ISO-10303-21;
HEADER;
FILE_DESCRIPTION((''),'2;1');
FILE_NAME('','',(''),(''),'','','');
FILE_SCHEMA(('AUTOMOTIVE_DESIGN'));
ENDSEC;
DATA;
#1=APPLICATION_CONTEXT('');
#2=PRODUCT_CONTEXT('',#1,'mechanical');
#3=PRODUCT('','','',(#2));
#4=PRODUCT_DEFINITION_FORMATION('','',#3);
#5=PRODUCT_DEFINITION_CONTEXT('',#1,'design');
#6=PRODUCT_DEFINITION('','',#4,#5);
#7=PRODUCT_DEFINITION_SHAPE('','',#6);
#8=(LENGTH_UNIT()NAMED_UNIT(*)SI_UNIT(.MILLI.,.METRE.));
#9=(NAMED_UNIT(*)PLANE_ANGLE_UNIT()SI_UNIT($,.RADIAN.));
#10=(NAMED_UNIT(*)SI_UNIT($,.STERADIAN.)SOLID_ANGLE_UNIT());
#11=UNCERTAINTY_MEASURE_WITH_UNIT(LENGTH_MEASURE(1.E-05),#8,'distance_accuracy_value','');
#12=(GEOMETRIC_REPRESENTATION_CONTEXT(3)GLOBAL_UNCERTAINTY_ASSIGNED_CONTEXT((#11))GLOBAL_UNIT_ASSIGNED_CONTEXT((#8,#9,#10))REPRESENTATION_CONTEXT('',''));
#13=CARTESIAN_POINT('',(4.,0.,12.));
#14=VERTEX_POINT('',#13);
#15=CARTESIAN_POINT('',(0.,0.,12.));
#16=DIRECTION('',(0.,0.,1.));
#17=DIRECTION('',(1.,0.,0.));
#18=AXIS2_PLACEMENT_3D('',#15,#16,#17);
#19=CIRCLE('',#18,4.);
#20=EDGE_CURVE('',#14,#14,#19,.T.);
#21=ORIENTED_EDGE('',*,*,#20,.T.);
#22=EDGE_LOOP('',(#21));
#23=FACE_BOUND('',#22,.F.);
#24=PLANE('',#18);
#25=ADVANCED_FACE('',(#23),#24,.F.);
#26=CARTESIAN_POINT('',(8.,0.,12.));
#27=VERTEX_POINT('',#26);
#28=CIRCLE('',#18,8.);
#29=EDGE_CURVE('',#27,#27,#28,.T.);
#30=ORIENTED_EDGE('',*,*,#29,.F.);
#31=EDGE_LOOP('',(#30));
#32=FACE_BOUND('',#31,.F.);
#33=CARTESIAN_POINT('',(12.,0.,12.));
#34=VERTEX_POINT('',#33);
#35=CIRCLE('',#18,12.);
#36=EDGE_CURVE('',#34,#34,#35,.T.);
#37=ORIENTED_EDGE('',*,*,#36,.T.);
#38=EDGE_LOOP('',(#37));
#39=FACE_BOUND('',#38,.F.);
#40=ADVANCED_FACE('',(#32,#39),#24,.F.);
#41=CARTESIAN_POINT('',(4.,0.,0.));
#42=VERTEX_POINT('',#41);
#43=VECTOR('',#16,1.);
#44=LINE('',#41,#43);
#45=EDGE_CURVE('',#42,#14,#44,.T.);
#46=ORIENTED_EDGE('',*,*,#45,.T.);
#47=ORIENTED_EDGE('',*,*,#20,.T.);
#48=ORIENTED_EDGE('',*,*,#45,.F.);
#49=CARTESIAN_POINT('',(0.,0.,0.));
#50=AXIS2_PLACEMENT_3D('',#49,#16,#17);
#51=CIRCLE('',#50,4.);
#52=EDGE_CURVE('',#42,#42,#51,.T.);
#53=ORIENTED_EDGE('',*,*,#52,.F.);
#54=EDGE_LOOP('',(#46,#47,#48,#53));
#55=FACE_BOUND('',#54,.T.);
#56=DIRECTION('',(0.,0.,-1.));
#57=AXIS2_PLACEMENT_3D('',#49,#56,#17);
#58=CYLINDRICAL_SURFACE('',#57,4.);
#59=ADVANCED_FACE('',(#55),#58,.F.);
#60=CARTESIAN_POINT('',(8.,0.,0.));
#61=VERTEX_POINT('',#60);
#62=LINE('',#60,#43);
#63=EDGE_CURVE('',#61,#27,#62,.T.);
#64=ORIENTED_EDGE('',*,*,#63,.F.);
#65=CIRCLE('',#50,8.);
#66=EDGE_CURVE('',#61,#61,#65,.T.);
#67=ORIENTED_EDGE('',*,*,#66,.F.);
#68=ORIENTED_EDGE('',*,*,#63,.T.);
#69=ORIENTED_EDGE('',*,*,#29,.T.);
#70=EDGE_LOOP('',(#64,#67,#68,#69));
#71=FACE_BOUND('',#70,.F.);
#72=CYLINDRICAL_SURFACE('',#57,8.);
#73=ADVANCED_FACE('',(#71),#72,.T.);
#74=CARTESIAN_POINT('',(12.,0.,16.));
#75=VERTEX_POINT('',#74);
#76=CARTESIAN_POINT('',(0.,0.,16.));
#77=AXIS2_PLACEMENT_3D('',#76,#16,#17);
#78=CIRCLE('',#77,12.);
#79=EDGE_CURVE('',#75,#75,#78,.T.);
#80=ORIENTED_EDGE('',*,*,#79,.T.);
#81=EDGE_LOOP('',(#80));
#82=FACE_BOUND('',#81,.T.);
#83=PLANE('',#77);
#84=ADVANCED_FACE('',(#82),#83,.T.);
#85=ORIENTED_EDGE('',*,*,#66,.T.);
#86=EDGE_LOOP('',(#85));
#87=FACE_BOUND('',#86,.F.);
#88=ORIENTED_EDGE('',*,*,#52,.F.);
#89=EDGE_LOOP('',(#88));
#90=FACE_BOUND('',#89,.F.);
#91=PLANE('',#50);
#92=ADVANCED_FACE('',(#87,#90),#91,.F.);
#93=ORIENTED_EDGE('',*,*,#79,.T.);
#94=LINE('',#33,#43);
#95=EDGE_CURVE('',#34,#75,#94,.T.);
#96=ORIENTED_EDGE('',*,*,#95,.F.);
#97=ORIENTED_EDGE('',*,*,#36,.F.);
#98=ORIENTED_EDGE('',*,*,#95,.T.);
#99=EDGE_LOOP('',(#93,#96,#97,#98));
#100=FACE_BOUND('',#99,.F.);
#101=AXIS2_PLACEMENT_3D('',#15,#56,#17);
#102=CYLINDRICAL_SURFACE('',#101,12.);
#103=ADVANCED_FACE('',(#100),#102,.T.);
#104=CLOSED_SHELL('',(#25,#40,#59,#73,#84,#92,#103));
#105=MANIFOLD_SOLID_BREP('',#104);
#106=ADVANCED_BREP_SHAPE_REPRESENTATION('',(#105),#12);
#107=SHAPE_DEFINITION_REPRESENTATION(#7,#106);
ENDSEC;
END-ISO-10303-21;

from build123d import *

# Parameters (mm, degrees)
F0_R     = 8
F0_R_2   = 4
F1_DEPTH = 12
F3_R     = 12
F4_DEPTH = 4


with BuildPart() as f1:
    # F0 (on Top) → F1 (new body)
    with BuildSketch(Plane.XY):
        Circle(F0_R)
        Circle(F0_R_2, mode=Mode.SUBTRACT)
    extrude(amount=F1_DEPTH)

    # F3 (on offset) → F4 (join)
    with BuildSketch(Plane.XY.offset(12)):
        Circle(F3_R)
    extrude(amount=F4_DEPTH)


solid = f1.part
